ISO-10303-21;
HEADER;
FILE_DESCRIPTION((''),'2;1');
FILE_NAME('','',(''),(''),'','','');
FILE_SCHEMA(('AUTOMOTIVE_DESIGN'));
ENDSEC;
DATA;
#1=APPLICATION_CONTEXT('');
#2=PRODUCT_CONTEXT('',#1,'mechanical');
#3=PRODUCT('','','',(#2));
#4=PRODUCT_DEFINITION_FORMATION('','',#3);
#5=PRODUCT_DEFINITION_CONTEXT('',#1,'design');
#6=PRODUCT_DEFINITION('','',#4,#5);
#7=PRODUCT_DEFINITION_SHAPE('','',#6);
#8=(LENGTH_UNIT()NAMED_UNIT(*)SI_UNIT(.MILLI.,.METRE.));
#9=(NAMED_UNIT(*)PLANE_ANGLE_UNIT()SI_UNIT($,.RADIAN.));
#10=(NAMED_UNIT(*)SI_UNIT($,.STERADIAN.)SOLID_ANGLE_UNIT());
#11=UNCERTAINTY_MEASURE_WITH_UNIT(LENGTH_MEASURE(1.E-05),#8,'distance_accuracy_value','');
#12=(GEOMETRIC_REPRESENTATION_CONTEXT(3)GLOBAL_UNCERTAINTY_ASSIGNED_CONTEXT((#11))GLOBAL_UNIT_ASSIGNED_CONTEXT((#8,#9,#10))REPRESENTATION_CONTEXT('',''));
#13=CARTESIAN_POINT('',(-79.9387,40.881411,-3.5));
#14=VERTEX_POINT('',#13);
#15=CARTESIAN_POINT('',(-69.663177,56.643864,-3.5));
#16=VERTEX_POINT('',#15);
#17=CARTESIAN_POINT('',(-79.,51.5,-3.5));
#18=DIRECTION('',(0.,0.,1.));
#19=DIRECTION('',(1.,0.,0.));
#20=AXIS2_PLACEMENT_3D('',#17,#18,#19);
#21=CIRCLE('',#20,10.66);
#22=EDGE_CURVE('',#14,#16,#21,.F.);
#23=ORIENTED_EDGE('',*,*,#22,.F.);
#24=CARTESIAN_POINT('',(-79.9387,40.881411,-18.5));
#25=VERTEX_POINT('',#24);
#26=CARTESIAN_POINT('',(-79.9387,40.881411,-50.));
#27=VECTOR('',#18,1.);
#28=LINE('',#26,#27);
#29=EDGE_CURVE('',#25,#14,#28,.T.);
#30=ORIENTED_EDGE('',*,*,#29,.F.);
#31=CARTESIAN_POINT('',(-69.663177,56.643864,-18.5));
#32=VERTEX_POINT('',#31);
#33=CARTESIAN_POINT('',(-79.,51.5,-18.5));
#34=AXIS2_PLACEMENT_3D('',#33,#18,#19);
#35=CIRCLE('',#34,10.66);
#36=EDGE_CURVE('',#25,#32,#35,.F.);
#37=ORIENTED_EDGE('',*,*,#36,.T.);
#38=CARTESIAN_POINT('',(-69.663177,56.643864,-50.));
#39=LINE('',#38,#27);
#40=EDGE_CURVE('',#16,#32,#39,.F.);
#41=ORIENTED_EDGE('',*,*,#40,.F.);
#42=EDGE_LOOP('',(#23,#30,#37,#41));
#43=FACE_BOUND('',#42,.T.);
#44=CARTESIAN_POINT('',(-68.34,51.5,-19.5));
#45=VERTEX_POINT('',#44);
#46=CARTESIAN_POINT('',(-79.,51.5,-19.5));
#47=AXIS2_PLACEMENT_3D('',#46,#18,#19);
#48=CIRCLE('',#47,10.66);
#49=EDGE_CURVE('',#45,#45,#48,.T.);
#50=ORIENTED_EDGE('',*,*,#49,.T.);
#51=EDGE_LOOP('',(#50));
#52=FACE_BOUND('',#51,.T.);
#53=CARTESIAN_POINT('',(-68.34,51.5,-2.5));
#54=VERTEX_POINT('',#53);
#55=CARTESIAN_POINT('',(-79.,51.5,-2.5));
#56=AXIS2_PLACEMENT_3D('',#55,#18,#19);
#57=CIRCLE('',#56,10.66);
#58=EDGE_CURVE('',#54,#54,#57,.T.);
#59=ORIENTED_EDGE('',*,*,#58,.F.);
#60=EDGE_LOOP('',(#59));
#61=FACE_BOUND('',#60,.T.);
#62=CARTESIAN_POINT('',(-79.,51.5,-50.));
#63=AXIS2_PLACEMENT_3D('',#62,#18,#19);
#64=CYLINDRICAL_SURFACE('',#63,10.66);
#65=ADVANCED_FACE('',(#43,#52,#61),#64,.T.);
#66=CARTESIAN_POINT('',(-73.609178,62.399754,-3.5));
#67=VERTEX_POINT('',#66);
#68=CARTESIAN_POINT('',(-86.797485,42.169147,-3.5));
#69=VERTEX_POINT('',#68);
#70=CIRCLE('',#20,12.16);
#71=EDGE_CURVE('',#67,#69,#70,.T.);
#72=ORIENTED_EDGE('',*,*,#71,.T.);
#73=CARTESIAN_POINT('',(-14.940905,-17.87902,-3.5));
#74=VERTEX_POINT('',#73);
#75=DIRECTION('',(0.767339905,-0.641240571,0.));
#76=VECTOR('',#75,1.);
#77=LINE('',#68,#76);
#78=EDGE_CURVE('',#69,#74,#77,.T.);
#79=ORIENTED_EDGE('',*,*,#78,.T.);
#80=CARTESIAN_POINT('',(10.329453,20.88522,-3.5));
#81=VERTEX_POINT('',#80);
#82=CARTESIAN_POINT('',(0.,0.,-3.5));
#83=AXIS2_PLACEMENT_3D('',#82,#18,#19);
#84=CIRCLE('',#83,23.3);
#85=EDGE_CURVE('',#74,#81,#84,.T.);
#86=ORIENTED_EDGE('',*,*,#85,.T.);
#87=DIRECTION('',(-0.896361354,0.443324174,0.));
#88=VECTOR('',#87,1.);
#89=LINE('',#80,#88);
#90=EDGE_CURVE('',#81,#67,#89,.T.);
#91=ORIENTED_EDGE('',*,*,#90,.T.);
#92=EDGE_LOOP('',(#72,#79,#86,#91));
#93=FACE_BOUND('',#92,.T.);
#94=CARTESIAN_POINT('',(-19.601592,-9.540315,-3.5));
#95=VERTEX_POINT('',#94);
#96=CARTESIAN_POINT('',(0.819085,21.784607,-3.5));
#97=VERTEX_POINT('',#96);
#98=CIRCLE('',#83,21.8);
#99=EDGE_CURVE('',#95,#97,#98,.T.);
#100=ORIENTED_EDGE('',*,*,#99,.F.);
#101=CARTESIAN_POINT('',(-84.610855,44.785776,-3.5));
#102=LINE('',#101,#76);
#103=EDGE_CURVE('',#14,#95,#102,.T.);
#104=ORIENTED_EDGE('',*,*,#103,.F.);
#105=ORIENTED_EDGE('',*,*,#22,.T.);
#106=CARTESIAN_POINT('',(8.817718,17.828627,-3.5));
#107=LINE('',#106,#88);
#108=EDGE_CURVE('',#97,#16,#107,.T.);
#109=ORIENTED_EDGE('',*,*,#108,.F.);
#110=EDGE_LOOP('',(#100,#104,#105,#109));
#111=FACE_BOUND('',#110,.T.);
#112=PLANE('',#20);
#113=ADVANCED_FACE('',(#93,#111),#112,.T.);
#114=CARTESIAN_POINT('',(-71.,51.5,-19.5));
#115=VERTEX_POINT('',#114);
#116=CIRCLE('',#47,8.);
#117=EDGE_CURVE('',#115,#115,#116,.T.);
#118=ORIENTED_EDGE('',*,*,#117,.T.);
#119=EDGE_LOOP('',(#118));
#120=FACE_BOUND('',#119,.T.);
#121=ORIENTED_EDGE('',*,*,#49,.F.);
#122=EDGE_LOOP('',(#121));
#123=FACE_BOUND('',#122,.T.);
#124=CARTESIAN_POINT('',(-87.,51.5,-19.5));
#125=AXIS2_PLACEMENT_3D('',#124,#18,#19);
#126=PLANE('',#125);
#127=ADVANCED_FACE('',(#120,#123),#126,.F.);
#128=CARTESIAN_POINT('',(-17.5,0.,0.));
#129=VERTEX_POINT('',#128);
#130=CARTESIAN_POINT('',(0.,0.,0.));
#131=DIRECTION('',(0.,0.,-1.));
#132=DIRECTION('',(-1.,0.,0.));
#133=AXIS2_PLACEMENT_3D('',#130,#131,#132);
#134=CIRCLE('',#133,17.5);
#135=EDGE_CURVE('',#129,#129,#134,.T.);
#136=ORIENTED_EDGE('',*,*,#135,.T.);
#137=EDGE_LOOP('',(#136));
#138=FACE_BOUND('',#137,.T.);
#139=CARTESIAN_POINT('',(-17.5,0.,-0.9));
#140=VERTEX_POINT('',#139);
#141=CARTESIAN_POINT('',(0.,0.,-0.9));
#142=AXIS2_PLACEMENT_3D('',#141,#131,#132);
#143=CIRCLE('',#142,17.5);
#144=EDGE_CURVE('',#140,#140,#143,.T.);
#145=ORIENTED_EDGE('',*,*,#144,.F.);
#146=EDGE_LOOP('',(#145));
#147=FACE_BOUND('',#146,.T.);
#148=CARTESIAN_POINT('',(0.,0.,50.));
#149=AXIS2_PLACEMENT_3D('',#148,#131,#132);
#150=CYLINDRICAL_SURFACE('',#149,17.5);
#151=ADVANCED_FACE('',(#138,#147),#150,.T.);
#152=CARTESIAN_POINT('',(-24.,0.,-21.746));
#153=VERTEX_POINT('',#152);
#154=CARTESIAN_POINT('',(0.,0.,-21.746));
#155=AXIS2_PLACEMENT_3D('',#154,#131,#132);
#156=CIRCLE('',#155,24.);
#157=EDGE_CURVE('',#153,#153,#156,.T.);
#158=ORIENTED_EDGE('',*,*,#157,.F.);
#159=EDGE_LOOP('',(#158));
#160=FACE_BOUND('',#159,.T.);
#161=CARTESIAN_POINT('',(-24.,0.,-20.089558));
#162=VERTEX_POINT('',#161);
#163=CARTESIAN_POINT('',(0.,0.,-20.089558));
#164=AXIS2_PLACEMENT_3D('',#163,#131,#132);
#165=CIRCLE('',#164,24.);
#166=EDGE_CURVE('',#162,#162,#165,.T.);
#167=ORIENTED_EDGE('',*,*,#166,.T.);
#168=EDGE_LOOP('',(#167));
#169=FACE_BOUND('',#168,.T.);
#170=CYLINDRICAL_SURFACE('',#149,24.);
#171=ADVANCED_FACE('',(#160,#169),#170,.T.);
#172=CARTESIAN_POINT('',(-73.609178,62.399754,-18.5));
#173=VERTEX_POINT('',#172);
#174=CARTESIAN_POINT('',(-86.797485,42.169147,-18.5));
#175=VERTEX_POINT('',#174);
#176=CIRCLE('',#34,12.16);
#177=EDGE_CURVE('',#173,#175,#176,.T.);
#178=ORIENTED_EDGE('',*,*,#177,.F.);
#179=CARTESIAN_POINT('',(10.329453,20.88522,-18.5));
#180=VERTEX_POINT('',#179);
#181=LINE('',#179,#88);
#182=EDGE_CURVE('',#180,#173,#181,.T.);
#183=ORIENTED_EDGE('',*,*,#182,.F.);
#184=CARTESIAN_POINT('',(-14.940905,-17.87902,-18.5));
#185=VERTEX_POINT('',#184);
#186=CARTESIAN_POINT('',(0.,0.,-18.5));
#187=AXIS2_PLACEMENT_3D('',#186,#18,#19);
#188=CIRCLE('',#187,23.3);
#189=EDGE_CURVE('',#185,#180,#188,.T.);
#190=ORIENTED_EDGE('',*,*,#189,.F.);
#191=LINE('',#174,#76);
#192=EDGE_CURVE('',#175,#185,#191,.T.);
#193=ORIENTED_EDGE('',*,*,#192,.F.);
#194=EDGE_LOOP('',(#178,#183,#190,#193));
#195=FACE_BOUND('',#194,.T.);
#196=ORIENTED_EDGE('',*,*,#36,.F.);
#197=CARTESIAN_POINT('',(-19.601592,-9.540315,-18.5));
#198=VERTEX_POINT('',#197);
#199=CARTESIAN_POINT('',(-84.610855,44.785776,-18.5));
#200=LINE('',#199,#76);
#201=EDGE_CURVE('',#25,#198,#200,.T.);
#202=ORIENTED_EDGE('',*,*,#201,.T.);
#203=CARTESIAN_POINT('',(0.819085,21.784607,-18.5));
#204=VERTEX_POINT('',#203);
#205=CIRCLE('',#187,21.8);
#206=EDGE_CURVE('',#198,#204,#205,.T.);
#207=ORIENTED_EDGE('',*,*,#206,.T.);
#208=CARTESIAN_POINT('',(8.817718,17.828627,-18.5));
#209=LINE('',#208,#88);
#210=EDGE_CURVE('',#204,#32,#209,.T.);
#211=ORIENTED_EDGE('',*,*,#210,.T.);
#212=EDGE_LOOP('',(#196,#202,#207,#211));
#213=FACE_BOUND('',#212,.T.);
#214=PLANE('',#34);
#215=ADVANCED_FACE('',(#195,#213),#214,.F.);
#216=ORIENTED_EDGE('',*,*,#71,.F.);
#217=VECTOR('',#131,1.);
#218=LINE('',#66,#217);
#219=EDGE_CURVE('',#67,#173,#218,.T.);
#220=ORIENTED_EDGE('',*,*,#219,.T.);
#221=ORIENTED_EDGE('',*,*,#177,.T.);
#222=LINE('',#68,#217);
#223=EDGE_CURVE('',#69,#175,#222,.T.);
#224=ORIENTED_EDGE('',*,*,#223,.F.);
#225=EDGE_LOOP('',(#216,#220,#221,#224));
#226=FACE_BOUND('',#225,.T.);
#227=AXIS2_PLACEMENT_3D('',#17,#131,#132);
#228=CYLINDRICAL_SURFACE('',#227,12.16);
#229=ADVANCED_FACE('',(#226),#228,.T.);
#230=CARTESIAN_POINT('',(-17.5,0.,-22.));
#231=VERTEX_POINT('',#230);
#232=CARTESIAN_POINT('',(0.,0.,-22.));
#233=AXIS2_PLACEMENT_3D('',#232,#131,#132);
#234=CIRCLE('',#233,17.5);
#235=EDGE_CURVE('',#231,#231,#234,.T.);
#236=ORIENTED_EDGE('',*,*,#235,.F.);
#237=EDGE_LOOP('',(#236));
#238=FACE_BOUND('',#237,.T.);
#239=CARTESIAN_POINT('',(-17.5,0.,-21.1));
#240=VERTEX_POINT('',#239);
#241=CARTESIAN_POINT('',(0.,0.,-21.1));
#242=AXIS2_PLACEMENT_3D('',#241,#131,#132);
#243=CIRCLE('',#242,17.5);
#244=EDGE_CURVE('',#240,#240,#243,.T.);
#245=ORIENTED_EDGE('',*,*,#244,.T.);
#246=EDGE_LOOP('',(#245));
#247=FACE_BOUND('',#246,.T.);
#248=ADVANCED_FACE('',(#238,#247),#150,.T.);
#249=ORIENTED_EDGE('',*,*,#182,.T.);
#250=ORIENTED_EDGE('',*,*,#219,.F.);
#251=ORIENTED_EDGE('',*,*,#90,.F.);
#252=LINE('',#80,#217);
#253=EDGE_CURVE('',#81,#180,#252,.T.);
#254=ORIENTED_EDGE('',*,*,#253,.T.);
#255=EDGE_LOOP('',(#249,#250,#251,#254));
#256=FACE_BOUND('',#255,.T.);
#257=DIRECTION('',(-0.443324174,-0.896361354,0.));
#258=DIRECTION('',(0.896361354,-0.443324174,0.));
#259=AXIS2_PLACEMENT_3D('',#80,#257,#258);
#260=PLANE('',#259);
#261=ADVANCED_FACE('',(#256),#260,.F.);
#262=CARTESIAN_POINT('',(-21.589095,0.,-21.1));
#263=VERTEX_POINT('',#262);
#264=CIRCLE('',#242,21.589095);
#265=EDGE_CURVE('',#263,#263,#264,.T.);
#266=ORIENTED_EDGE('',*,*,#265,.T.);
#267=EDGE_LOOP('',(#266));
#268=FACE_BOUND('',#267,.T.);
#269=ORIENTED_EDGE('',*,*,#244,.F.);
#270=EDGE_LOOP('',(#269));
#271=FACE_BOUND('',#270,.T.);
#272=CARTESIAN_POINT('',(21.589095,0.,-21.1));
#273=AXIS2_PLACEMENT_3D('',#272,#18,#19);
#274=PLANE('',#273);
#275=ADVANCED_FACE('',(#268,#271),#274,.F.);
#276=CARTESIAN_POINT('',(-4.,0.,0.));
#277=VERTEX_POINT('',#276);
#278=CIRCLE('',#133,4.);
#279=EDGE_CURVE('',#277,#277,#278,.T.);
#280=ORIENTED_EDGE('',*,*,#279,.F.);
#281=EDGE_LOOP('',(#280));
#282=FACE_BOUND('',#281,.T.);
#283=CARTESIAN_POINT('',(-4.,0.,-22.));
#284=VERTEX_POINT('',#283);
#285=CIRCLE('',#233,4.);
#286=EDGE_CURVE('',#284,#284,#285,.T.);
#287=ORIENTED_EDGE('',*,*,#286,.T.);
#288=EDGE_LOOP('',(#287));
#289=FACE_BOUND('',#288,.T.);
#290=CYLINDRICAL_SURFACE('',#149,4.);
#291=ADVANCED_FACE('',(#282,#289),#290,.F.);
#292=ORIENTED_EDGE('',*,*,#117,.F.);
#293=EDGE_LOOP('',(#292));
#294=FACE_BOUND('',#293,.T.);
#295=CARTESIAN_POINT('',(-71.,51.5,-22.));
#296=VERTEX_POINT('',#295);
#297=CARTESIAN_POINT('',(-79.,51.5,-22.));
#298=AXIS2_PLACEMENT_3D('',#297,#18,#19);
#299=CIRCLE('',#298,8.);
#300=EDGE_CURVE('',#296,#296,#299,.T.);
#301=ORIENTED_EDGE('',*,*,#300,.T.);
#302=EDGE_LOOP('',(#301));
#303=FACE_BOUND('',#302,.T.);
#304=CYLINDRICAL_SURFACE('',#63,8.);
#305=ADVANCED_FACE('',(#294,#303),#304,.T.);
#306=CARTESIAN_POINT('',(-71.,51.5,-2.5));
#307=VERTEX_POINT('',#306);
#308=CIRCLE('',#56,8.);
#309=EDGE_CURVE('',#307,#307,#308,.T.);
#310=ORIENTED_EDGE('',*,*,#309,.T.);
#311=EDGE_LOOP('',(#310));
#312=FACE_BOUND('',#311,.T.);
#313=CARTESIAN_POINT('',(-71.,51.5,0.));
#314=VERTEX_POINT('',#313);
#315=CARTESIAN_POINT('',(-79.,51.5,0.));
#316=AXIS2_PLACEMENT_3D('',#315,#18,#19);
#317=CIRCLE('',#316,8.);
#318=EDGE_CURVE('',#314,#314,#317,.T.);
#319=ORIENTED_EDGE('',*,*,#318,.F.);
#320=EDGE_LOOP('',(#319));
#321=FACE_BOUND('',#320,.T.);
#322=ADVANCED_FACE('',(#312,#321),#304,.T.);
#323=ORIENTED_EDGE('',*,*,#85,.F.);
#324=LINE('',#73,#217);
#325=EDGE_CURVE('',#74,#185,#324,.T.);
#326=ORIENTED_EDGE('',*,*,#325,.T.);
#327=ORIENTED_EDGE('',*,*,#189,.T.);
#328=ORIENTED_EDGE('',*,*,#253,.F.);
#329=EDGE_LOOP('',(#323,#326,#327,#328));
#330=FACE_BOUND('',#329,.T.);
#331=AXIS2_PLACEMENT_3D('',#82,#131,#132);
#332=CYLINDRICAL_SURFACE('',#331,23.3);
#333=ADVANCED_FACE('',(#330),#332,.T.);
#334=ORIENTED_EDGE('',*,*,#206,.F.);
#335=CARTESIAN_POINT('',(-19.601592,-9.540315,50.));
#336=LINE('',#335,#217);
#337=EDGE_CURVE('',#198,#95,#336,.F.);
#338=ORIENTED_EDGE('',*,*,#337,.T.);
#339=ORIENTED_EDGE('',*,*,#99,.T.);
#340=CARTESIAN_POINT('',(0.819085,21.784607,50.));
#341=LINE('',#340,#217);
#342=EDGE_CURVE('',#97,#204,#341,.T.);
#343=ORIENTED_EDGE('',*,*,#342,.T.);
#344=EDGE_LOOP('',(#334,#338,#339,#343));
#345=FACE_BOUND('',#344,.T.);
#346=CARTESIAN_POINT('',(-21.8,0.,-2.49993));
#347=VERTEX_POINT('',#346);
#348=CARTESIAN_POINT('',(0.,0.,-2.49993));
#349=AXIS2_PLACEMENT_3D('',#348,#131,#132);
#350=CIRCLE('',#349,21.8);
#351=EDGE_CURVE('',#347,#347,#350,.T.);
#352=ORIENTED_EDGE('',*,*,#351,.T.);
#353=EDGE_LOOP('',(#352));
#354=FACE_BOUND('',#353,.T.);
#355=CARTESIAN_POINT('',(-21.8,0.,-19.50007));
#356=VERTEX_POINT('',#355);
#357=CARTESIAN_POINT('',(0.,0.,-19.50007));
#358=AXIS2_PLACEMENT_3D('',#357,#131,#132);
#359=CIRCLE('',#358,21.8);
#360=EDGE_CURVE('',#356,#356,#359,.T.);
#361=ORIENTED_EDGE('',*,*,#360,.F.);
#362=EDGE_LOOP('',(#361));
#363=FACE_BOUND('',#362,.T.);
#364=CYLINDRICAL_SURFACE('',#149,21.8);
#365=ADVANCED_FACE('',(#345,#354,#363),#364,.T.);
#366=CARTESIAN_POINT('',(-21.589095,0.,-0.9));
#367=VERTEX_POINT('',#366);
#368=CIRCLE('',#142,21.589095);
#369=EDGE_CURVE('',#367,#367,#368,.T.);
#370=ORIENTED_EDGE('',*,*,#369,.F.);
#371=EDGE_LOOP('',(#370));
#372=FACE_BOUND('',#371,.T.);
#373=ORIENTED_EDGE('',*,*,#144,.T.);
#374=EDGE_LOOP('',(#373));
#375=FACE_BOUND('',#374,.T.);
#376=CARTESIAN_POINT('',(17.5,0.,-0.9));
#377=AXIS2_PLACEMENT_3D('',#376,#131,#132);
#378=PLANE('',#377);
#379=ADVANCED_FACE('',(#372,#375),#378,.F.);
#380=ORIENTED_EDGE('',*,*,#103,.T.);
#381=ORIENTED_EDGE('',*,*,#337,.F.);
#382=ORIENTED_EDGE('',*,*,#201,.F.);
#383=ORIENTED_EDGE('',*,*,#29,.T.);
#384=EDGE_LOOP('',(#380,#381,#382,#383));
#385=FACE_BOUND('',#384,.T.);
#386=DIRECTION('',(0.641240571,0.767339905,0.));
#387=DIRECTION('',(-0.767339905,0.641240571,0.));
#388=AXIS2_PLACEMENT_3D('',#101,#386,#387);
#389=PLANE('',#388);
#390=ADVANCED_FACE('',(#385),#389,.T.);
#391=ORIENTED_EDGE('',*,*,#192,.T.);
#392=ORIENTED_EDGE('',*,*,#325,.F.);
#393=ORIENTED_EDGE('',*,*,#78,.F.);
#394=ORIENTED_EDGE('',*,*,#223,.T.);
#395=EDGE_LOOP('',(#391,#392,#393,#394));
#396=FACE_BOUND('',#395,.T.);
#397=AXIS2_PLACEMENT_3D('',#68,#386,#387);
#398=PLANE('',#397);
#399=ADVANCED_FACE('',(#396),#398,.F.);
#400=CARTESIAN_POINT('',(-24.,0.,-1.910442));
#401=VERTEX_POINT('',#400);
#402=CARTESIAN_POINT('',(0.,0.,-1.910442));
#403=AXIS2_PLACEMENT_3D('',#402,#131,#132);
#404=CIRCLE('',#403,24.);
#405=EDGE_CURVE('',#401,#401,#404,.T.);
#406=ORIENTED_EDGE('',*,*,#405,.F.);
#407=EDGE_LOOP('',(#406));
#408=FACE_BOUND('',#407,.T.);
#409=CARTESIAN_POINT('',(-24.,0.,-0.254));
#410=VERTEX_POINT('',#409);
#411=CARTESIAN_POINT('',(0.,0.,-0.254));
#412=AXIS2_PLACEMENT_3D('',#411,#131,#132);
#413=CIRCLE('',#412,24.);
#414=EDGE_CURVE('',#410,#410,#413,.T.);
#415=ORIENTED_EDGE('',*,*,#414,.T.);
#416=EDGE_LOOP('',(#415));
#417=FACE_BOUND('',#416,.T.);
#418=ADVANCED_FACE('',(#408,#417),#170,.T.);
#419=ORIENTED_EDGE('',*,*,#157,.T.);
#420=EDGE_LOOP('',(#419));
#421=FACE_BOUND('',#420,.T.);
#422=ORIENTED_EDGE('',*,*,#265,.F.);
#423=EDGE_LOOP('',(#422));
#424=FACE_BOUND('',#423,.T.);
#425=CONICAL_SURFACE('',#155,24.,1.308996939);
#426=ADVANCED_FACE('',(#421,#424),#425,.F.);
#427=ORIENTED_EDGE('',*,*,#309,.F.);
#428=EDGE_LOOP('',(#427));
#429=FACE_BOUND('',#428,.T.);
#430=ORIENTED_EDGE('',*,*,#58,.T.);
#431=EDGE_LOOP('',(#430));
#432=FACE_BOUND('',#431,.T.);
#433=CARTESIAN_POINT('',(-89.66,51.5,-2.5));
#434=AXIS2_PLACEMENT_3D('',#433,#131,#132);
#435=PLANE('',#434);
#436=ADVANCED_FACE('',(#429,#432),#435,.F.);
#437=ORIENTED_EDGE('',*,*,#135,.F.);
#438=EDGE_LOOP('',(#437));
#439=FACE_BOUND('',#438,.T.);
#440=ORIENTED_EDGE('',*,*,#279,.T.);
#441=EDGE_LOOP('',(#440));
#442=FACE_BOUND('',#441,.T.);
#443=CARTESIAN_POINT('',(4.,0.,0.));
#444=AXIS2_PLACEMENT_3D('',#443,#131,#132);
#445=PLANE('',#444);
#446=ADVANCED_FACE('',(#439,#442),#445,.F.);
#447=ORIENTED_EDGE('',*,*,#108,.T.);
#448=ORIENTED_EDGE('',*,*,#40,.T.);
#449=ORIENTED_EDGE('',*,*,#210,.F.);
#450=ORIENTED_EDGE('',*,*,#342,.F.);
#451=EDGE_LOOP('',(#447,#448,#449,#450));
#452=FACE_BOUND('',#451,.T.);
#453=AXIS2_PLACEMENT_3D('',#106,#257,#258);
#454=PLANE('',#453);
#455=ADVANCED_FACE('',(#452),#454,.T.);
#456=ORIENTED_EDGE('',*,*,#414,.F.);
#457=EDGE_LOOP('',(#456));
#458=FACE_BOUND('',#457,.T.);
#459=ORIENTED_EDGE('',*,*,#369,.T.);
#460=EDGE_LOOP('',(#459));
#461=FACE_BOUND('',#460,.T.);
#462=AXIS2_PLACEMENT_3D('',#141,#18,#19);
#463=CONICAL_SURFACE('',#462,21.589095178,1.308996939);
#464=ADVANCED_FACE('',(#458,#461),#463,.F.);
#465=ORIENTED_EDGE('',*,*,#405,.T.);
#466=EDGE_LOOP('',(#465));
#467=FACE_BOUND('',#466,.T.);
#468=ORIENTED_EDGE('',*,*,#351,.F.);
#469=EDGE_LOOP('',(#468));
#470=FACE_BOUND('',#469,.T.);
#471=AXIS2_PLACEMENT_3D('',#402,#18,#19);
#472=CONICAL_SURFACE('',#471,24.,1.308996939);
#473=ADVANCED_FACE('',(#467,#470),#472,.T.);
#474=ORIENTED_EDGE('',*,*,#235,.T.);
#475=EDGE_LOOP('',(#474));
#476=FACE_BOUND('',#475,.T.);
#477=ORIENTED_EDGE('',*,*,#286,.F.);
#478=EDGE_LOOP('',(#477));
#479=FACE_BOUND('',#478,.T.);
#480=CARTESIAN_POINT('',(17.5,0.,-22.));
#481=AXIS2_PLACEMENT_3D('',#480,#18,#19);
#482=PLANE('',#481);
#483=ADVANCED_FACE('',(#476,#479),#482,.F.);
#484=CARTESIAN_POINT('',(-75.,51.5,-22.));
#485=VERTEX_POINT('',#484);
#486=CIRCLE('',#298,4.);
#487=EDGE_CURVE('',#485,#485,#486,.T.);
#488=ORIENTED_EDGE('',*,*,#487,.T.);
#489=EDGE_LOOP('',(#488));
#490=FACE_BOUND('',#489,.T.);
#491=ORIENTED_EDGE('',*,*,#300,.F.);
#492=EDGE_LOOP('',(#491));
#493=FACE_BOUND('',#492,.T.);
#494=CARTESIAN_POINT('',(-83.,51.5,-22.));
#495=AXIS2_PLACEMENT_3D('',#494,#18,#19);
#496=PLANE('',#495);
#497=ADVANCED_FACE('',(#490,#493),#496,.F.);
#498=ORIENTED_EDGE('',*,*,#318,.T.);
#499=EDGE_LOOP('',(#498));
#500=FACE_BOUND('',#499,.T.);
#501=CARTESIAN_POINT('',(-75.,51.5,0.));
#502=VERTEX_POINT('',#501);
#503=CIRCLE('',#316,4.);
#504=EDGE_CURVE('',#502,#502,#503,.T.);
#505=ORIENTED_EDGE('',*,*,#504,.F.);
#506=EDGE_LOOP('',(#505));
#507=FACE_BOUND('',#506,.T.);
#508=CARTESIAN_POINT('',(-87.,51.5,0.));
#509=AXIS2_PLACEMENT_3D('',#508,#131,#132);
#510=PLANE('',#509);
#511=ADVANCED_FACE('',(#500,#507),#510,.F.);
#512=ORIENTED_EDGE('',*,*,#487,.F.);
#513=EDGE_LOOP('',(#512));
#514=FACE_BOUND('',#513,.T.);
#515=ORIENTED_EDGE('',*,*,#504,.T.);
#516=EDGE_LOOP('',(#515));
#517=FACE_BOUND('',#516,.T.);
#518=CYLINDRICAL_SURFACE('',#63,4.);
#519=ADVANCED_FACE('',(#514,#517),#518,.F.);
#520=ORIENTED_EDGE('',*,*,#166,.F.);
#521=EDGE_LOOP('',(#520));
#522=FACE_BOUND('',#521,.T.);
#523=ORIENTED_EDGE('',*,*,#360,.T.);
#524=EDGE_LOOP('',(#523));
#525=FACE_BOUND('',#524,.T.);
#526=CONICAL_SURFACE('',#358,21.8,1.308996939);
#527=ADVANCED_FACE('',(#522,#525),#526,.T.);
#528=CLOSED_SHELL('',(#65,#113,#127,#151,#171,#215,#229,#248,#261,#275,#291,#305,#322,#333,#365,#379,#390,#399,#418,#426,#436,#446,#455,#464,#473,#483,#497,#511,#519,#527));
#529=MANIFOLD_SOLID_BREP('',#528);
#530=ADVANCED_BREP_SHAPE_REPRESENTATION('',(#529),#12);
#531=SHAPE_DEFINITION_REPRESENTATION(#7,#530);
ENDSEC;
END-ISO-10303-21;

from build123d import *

# Parameters (mm, degrees)
EXTRUDE_1_DEPTH      = 7.5
EXTRUDE_1_DEPTH_BACK = 7.5


with BuildPart() as part:
    # 草图1 → 旋转1 (revolve)
    with BuildSketch(Plane(origin=(0, 0, 0), x_dir=(1, 0, 0), z_dir=(0, 1, 0))):
        Polygon((4, 0), (17.5, 0), (17.5, 0.9), (21.589095178, 0.9), (24, 0.254), (24, 1.910441889), (21.8, 2.499930112), (21.8, 19.500069888), (24, 20.089558111), (24, 21.746), (21.589095178, 21.1), (17.5, 21.1), (17.5, 22), (4, 22), align=None)
    revolve(axis=Axis((0, 0, 50), (0, 0, -1)))

    # 草图2 → 凸台-拉伸1 (add, two sides: drawn at the far end of the back side and taken through both)
    with BuildSketch(Plane.XY.offset(-11).offset(-EXTRUDE_1_DEPTH_BACK)):
        with BuildLine():
            Line((-86.797485344, 42.169146754), (-14.940905306, -17.87901979))
            ThreePointArc((-14.940905306, -17.87901979), (19.518784167, -12.724270691), (10.32945325, 20.885219548))
            Line((10.32945325, 20.885219548), (-73.609178047, 62.399754064))
            ThreePointArc((-73.609178047, 62.399754064), (-89.186627274, 58.140649425), (-86.797485344, 42.169146754))
        make_face()
        with BuildLine():
            Line((-84.610854997, 44.78577583), (-12.754274959, -15.262390713))
            ThreePointArc((-12.754274959, -15.262390713), (16.662172407, -10.862049101), (8.817717817, 17.828627331))
            Line((8.817717817, 17.828627331), (-75.120913479, 59.343161847))
            ThreePointArc((-75.120913479, 59.343161847), (-86.330015513, 56.278427835), (-84.610854997, 44.78577583))
        make_face(mode=Mode.SUBTRACT)
    extrude(amount=EXTRUDE_1_DEPTH + EXTRUDE_1_DEPTH_BACK)

    # 草图3 → 旋转2 (revolve)
    with BuildSketch(Plane(origin=(0, 51.5, 0), x_dir=(1, 0, 0), z_dir=(0, 1, 0))):
        Polygon((-89.66, 2.5), (-87, 2.5), (-87, 0), (-83, 0), (-83, 22), (-87, 22), (-87, 19.5), (-89.66, 19.5), align=None)
    revolve(axis=Axis((-79, 51.5, -50), (0, 0, 1)))


solid = part.part
